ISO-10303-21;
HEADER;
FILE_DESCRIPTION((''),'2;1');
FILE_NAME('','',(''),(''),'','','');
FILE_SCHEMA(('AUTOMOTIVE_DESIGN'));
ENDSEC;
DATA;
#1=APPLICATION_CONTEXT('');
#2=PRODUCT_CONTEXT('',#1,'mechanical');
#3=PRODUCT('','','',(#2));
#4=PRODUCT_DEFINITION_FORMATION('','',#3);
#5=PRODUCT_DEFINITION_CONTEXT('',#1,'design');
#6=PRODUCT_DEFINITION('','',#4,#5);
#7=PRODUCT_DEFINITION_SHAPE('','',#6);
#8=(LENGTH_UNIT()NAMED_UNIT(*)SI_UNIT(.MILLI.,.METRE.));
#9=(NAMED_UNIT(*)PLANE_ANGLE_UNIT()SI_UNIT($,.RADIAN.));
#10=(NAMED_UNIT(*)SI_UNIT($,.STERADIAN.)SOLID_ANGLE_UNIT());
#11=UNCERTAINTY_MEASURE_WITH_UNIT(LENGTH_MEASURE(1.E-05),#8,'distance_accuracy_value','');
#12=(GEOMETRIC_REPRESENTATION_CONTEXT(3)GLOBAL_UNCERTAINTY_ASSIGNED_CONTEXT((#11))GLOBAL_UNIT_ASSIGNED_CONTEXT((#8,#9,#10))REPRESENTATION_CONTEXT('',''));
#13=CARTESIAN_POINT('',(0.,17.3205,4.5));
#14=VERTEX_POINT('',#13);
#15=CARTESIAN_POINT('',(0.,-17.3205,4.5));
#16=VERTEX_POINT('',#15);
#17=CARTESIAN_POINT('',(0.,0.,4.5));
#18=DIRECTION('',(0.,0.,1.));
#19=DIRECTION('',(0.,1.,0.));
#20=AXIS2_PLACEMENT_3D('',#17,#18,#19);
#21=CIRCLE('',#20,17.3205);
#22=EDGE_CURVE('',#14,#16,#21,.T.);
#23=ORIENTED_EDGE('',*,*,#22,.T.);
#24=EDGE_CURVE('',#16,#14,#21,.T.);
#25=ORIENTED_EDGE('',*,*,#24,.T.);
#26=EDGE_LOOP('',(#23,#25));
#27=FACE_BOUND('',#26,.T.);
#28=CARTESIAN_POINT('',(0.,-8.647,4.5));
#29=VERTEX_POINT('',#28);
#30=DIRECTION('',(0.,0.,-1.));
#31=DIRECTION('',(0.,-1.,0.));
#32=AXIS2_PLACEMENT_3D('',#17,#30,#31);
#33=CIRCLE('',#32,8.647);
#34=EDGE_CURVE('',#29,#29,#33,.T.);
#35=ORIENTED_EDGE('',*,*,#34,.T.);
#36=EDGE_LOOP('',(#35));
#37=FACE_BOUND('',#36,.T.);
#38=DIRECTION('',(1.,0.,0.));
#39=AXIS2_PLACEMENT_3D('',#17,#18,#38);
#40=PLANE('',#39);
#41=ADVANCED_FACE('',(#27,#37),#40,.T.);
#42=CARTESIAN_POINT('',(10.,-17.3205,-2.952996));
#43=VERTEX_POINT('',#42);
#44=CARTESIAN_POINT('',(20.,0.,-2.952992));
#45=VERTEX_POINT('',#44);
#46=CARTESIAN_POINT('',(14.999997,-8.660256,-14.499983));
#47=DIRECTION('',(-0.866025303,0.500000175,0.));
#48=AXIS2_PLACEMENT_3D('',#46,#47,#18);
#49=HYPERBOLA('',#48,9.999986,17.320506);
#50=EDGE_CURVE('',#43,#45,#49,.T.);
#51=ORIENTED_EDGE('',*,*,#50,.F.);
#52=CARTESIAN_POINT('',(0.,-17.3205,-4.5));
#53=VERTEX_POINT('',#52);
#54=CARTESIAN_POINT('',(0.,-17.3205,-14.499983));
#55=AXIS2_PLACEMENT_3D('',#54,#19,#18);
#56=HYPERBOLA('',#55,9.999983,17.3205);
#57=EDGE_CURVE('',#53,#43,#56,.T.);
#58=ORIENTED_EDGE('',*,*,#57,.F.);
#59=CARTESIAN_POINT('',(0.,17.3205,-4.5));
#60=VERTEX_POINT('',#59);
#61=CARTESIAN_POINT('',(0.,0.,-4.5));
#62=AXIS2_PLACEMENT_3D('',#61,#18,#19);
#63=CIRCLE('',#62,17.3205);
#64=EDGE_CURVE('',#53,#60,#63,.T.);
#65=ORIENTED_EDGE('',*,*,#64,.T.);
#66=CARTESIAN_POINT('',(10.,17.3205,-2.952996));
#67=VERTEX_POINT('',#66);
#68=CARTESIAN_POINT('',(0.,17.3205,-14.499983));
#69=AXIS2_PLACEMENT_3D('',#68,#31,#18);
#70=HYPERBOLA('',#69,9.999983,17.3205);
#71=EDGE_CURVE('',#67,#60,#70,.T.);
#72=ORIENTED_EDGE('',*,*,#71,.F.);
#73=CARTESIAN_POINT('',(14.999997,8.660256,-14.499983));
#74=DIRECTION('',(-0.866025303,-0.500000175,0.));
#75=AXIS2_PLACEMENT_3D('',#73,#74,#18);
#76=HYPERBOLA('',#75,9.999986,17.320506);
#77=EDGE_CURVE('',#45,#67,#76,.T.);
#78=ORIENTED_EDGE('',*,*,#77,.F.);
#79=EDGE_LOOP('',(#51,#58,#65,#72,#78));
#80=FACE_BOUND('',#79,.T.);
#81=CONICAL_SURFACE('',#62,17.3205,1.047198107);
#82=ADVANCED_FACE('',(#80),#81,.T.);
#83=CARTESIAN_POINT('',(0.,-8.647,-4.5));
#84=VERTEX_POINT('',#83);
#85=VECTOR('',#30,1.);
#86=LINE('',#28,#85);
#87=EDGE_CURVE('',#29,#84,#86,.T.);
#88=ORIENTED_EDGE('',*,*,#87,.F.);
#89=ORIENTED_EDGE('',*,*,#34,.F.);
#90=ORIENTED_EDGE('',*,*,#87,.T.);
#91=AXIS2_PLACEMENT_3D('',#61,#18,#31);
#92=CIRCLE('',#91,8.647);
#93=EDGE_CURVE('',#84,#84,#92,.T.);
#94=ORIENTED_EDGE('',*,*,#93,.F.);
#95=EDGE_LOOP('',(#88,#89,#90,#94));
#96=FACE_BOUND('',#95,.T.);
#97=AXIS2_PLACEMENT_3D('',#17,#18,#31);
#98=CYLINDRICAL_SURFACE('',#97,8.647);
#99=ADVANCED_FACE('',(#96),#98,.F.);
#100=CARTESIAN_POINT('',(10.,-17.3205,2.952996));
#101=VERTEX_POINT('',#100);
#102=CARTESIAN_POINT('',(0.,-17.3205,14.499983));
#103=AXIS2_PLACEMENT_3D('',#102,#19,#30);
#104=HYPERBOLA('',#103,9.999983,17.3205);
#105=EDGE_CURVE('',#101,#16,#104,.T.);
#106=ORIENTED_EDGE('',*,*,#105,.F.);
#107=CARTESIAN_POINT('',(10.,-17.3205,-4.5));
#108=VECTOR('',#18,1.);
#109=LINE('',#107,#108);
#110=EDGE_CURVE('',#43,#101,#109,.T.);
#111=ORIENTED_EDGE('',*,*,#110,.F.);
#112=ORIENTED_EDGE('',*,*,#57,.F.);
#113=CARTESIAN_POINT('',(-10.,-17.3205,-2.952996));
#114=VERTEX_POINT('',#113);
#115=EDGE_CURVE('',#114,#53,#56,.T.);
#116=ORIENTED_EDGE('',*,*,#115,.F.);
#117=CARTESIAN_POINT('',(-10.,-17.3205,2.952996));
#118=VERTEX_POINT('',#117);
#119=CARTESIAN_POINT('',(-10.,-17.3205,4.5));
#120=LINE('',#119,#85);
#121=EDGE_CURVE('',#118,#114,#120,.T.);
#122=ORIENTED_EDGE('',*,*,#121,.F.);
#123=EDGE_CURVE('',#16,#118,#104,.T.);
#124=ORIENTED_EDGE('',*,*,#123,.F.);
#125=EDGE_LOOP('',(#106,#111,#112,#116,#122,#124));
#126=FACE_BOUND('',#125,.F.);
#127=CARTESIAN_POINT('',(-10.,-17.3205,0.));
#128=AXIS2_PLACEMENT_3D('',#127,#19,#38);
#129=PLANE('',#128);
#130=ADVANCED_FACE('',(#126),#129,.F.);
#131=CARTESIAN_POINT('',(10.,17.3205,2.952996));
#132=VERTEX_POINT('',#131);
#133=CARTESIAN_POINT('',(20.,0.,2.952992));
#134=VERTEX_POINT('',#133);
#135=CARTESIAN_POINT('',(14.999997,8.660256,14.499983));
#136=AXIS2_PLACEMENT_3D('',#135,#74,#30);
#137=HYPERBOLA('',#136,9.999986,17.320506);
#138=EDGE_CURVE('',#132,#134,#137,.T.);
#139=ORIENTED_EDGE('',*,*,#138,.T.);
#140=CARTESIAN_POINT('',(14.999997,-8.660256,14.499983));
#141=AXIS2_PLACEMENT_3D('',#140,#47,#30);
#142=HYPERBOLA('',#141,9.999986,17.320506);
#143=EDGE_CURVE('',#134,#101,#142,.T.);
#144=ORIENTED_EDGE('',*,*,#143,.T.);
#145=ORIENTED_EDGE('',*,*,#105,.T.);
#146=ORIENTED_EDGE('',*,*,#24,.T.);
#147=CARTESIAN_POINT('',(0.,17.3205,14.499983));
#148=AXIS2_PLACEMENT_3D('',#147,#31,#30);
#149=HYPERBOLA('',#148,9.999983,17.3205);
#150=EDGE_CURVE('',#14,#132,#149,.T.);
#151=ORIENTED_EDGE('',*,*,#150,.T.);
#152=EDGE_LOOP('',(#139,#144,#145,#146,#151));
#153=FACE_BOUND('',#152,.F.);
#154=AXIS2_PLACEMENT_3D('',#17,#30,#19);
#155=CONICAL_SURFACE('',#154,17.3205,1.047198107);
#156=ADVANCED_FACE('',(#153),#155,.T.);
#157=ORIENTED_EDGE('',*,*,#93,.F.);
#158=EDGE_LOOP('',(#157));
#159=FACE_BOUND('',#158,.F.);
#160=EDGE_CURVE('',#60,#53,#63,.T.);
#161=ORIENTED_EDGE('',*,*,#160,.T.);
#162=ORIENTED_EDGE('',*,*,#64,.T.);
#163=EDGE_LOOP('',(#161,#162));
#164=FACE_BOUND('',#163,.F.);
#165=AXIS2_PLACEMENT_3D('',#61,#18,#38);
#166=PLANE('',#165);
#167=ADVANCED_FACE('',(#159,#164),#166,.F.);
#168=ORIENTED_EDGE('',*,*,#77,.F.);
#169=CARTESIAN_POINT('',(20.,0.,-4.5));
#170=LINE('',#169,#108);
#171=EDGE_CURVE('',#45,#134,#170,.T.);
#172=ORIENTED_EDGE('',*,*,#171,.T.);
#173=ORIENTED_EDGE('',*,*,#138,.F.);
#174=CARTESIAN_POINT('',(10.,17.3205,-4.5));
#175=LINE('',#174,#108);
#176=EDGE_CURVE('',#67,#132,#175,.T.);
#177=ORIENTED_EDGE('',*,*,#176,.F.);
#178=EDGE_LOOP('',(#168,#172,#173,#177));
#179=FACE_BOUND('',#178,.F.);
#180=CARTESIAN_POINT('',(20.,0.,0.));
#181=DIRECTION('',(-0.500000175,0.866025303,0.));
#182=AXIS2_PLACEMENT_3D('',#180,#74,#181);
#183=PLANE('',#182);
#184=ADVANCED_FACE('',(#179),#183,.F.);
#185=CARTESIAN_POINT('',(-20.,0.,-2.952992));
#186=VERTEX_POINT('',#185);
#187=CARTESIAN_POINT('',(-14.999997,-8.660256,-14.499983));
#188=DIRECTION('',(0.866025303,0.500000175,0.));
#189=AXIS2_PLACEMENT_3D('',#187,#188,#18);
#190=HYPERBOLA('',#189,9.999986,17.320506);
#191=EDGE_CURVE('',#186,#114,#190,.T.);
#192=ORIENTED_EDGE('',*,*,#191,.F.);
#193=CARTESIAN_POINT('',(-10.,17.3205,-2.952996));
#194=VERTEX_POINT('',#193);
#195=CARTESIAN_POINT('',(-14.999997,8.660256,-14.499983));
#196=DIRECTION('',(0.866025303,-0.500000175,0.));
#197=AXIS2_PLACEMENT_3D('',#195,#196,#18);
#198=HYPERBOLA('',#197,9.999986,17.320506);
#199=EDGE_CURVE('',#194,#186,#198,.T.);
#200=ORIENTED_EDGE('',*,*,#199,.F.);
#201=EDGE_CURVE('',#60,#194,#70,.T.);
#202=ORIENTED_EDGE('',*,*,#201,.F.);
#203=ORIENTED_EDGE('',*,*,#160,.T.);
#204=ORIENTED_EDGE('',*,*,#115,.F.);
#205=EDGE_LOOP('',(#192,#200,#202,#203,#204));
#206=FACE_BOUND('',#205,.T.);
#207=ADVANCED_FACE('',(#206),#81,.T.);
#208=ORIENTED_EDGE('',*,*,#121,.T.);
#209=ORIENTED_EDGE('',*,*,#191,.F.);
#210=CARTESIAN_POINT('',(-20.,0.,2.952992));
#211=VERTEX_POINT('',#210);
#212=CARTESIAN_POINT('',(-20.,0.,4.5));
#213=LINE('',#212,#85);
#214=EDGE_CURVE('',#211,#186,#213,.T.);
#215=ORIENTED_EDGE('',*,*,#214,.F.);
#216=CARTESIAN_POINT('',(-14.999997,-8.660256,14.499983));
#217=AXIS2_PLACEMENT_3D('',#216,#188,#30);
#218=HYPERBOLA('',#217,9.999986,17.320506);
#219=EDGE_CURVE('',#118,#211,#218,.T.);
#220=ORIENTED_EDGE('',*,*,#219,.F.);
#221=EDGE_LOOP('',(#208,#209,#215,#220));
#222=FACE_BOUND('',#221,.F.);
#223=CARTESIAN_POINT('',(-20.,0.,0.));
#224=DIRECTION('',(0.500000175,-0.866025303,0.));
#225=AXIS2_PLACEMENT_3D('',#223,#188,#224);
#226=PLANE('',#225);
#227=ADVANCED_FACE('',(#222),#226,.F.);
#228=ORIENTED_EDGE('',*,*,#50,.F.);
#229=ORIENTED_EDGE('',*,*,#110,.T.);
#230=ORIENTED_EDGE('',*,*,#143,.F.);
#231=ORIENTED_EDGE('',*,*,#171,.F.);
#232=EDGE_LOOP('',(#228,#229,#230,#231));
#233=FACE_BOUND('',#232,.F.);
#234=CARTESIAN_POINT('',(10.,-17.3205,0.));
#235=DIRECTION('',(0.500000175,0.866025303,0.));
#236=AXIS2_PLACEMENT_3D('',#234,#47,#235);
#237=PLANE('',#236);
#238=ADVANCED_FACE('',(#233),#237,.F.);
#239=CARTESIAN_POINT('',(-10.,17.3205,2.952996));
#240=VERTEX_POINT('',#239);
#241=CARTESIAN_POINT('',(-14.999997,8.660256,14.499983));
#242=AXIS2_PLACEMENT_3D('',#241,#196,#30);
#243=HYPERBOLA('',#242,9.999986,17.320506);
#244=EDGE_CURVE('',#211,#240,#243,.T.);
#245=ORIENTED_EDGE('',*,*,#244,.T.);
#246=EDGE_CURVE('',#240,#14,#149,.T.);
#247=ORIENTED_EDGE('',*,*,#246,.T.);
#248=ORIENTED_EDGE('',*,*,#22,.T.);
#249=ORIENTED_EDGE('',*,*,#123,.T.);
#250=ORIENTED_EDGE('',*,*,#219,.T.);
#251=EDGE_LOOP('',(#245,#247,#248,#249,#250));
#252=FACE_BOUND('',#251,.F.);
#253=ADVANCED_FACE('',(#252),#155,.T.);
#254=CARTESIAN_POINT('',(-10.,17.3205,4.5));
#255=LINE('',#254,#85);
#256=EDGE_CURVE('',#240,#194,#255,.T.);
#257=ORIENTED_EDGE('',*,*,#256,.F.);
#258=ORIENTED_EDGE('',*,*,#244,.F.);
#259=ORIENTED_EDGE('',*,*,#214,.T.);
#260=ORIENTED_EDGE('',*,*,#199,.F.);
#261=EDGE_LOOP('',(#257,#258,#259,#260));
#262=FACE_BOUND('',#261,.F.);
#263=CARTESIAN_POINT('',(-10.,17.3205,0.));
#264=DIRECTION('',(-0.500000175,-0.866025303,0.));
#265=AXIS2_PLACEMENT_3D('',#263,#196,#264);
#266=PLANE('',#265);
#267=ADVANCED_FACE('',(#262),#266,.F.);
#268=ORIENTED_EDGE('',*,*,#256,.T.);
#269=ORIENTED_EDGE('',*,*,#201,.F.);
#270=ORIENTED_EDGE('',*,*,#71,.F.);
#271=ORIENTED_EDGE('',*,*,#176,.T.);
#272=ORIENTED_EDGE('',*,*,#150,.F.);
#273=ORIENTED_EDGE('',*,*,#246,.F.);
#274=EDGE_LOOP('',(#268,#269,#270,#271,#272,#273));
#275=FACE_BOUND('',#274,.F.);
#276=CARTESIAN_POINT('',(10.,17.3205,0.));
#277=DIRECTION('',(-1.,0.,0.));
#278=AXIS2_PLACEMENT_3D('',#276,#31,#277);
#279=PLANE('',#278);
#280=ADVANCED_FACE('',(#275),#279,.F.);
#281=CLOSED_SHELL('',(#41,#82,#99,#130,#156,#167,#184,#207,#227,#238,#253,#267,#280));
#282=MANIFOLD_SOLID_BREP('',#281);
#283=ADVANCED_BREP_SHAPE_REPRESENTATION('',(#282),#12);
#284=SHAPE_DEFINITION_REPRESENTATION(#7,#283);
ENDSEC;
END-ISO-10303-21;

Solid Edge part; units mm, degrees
sketch "Sketch1" plane through (0, 0, 0) normal (0, 0, 1) x (1, 0, 0)
  line L0 (-10, -17.3205) -> (10, -17.3205)
  line L1 (10, -17.3205) -> (20, 0)
  line L2 (20, 0) -> (10, 17.3205)
  line L3 (10, 17.3205) -> (-10, 17.3205)
  line L4 (-10, 17.3205) -> (-20, 0)
  line L5 (-20, 0) -> (-10, -17.3205)
  dimension "D1" = 20
extrude "Protrusion1" add sketch "Sketch1" along normal mid plane 9
hole "Hole_1" at (0, 0, 4.5) direction (0, 0, -1) diameter 17.294 end through all
sketch "Sketch2" plane through (0, 0, 0) normal (1, 0, 0) x (0, 1, 0)
  line L0 (17.3205, -4.5) -> (44.5217, 11.2046)
revolve "RevolvedCutout1" cut sketch "Sketch2" angle 360 about axis through (0, 0, -57) along (0, 0, 1) material side at (0, 30.9461, 3.309)
mirror "Mirror1" about plane through (0, 0, 0) normal (0, 0, 1) of "RevolvedCutout1"
properties part number "5" material "Fe 410 W"
